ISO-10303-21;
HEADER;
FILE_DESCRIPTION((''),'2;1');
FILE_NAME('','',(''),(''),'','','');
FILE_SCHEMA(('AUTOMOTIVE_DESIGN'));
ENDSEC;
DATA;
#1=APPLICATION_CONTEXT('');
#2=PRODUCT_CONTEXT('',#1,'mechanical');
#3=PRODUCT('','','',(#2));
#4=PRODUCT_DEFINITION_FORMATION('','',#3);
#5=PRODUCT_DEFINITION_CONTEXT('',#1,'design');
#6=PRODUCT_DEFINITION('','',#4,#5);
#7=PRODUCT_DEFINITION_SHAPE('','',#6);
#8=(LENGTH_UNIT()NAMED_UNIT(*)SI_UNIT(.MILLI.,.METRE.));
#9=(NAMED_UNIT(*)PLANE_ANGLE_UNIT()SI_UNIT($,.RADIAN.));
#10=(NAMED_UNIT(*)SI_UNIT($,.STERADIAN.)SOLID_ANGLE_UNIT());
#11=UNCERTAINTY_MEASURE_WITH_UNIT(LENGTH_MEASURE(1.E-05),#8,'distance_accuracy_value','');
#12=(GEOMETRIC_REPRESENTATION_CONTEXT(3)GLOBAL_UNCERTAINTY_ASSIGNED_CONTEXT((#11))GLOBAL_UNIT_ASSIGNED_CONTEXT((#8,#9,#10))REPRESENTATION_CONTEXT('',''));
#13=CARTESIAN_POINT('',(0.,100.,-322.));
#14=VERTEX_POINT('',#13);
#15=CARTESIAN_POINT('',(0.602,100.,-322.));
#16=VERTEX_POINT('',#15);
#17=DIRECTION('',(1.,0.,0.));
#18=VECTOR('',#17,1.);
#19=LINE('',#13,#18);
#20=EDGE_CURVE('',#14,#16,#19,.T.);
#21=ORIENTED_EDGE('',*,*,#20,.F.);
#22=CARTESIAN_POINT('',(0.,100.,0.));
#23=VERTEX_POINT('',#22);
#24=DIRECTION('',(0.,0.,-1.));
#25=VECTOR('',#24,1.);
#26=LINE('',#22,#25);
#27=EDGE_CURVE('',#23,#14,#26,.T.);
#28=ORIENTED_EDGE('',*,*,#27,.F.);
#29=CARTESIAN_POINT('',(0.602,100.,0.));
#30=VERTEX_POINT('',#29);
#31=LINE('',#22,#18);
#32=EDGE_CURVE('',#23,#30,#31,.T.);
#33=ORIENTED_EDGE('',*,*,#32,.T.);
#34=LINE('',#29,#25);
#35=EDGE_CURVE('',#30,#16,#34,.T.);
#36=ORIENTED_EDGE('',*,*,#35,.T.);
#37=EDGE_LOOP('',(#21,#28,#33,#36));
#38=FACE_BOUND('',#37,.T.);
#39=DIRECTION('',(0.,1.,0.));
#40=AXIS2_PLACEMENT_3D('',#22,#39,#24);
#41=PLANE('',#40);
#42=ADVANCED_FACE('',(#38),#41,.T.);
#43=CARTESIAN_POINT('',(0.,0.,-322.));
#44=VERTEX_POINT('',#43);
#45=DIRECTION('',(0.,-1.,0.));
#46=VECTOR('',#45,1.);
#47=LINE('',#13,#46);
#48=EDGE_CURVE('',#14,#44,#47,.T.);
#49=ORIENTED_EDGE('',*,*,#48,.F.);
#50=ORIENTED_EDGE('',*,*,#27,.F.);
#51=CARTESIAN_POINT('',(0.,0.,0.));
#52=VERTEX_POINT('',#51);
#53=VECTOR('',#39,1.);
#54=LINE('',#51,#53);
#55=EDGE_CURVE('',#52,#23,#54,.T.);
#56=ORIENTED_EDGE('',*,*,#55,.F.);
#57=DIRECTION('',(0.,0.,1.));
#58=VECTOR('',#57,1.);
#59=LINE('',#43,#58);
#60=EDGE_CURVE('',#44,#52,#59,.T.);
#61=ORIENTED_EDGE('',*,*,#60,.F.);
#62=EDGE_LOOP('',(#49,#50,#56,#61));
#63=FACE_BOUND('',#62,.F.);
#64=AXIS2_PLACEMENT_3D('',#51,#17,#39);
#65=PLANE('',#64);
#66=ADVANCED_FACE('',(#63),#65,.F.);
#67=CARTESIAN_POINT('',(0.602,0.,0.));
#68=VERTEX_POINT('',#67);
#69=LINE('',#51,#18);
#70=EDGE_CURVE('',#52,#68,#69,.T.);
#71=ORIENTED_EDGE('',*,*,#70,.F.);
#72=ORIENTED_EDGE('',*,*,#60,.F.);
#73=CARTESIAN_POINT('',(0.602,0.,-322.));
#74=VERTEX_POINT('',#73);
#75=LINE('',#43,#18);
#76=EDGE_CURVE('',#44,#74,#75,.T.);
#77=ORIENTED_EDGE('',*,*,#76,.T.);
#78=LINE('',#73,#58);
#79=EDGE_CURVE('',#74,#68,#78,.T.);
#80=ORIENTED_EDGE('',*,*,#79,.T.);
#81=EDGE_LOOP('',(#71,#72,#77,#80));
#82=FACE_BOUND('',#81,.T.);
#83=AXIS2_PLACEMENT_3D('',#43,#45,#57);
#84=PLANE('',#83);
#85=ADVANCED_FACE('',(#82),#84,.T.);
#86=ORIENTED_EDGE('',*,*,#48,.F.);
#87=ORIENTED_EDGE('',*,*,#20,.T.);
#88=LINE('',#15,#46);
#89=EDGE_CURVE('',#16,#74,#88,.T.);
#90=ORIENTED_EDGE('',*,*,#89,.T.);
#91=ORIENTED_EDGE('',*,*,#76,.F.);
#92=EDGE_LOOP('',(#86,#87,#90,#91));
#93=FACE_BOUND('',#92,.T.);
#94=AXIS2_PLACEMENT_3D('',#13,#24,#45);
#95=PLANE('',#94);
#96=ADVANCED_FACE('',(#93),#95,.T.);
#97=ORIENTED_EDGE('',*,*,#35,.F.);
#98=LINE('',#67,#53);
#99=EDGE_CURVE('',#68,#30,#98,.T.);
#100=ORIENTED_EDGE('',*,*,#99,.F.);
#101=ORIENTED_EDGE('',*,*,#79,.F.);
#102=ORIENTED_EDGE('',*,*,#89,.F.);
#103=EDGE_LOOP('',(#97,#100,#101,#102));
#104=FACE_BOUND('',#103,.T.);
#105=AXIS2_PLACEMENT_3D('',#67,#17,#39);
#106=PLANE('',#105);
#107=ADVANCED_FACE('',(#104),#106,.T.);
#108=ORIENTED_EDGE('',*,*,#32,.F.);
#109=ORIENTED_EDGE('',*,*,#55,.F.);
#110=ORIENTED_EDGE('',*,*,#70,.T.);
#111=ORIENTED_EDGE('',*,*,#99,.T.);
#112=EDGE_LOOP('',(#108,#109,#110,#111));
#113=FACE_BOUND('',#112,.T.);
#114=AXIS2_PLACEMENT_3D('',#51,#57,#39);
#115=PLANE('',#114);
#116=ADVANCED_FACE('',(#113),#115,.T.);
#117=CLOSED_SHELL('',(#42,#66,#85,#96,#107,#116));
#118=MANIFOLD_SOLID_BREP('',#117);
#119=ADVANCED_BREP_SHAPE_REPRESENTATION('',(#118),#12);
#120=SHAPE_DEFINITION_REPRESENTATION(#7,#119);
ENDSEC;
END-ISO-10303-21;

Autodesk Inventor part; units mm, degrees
ref_plane "YZ Plane" through (0, 0, 0) normal (1, 0, 0) x (0, 1, 0)
ref_plane "XZ Plane" through (0, 0, 0) normal (0, 1, 0) x (-1, 0, 0)
ref_plane "XY Plane" through (0, 0, 0) normal (0, 0, 1) x (1, 0, 0)
sketch "Sketch1" plane through (0, 0, 0) normal (1, 0, 0) x (0, 1, 0)
  line L0 (0, 0) -> (100, 0)
  line L1 (100, 0) -> (100, -322)
  line L2 (100, -322) -> (0, -322)
  line L3 (0, -322) -> (0, 0)
  dimension "d0" = 100
  dimension "d1" = 322
extrude "Extrusion1" add sketch "Sketch1" along normal blind 0.602
equation "\"BendRadius\" = Thickness"
equation "\"BendReliefWidth\" = Thickness"
equation "\"BendReliefDepth\" = 0.5 * Thickness"
equation "\"CornerReliefSize\" = 4 * Thickness"
equation "\"MinimumRemnant\" = 2 * Thickness"
equation "\"TransitionRadius\" = BendRadius"
equation "\"JacobiRadiusSize\" = BendRadius"
equation "\"GapSize\" = Thickness"
equation "\"Thickness\" = 0.602"
properties part number "project front supporting plate" material "Steel, Galvanized"
